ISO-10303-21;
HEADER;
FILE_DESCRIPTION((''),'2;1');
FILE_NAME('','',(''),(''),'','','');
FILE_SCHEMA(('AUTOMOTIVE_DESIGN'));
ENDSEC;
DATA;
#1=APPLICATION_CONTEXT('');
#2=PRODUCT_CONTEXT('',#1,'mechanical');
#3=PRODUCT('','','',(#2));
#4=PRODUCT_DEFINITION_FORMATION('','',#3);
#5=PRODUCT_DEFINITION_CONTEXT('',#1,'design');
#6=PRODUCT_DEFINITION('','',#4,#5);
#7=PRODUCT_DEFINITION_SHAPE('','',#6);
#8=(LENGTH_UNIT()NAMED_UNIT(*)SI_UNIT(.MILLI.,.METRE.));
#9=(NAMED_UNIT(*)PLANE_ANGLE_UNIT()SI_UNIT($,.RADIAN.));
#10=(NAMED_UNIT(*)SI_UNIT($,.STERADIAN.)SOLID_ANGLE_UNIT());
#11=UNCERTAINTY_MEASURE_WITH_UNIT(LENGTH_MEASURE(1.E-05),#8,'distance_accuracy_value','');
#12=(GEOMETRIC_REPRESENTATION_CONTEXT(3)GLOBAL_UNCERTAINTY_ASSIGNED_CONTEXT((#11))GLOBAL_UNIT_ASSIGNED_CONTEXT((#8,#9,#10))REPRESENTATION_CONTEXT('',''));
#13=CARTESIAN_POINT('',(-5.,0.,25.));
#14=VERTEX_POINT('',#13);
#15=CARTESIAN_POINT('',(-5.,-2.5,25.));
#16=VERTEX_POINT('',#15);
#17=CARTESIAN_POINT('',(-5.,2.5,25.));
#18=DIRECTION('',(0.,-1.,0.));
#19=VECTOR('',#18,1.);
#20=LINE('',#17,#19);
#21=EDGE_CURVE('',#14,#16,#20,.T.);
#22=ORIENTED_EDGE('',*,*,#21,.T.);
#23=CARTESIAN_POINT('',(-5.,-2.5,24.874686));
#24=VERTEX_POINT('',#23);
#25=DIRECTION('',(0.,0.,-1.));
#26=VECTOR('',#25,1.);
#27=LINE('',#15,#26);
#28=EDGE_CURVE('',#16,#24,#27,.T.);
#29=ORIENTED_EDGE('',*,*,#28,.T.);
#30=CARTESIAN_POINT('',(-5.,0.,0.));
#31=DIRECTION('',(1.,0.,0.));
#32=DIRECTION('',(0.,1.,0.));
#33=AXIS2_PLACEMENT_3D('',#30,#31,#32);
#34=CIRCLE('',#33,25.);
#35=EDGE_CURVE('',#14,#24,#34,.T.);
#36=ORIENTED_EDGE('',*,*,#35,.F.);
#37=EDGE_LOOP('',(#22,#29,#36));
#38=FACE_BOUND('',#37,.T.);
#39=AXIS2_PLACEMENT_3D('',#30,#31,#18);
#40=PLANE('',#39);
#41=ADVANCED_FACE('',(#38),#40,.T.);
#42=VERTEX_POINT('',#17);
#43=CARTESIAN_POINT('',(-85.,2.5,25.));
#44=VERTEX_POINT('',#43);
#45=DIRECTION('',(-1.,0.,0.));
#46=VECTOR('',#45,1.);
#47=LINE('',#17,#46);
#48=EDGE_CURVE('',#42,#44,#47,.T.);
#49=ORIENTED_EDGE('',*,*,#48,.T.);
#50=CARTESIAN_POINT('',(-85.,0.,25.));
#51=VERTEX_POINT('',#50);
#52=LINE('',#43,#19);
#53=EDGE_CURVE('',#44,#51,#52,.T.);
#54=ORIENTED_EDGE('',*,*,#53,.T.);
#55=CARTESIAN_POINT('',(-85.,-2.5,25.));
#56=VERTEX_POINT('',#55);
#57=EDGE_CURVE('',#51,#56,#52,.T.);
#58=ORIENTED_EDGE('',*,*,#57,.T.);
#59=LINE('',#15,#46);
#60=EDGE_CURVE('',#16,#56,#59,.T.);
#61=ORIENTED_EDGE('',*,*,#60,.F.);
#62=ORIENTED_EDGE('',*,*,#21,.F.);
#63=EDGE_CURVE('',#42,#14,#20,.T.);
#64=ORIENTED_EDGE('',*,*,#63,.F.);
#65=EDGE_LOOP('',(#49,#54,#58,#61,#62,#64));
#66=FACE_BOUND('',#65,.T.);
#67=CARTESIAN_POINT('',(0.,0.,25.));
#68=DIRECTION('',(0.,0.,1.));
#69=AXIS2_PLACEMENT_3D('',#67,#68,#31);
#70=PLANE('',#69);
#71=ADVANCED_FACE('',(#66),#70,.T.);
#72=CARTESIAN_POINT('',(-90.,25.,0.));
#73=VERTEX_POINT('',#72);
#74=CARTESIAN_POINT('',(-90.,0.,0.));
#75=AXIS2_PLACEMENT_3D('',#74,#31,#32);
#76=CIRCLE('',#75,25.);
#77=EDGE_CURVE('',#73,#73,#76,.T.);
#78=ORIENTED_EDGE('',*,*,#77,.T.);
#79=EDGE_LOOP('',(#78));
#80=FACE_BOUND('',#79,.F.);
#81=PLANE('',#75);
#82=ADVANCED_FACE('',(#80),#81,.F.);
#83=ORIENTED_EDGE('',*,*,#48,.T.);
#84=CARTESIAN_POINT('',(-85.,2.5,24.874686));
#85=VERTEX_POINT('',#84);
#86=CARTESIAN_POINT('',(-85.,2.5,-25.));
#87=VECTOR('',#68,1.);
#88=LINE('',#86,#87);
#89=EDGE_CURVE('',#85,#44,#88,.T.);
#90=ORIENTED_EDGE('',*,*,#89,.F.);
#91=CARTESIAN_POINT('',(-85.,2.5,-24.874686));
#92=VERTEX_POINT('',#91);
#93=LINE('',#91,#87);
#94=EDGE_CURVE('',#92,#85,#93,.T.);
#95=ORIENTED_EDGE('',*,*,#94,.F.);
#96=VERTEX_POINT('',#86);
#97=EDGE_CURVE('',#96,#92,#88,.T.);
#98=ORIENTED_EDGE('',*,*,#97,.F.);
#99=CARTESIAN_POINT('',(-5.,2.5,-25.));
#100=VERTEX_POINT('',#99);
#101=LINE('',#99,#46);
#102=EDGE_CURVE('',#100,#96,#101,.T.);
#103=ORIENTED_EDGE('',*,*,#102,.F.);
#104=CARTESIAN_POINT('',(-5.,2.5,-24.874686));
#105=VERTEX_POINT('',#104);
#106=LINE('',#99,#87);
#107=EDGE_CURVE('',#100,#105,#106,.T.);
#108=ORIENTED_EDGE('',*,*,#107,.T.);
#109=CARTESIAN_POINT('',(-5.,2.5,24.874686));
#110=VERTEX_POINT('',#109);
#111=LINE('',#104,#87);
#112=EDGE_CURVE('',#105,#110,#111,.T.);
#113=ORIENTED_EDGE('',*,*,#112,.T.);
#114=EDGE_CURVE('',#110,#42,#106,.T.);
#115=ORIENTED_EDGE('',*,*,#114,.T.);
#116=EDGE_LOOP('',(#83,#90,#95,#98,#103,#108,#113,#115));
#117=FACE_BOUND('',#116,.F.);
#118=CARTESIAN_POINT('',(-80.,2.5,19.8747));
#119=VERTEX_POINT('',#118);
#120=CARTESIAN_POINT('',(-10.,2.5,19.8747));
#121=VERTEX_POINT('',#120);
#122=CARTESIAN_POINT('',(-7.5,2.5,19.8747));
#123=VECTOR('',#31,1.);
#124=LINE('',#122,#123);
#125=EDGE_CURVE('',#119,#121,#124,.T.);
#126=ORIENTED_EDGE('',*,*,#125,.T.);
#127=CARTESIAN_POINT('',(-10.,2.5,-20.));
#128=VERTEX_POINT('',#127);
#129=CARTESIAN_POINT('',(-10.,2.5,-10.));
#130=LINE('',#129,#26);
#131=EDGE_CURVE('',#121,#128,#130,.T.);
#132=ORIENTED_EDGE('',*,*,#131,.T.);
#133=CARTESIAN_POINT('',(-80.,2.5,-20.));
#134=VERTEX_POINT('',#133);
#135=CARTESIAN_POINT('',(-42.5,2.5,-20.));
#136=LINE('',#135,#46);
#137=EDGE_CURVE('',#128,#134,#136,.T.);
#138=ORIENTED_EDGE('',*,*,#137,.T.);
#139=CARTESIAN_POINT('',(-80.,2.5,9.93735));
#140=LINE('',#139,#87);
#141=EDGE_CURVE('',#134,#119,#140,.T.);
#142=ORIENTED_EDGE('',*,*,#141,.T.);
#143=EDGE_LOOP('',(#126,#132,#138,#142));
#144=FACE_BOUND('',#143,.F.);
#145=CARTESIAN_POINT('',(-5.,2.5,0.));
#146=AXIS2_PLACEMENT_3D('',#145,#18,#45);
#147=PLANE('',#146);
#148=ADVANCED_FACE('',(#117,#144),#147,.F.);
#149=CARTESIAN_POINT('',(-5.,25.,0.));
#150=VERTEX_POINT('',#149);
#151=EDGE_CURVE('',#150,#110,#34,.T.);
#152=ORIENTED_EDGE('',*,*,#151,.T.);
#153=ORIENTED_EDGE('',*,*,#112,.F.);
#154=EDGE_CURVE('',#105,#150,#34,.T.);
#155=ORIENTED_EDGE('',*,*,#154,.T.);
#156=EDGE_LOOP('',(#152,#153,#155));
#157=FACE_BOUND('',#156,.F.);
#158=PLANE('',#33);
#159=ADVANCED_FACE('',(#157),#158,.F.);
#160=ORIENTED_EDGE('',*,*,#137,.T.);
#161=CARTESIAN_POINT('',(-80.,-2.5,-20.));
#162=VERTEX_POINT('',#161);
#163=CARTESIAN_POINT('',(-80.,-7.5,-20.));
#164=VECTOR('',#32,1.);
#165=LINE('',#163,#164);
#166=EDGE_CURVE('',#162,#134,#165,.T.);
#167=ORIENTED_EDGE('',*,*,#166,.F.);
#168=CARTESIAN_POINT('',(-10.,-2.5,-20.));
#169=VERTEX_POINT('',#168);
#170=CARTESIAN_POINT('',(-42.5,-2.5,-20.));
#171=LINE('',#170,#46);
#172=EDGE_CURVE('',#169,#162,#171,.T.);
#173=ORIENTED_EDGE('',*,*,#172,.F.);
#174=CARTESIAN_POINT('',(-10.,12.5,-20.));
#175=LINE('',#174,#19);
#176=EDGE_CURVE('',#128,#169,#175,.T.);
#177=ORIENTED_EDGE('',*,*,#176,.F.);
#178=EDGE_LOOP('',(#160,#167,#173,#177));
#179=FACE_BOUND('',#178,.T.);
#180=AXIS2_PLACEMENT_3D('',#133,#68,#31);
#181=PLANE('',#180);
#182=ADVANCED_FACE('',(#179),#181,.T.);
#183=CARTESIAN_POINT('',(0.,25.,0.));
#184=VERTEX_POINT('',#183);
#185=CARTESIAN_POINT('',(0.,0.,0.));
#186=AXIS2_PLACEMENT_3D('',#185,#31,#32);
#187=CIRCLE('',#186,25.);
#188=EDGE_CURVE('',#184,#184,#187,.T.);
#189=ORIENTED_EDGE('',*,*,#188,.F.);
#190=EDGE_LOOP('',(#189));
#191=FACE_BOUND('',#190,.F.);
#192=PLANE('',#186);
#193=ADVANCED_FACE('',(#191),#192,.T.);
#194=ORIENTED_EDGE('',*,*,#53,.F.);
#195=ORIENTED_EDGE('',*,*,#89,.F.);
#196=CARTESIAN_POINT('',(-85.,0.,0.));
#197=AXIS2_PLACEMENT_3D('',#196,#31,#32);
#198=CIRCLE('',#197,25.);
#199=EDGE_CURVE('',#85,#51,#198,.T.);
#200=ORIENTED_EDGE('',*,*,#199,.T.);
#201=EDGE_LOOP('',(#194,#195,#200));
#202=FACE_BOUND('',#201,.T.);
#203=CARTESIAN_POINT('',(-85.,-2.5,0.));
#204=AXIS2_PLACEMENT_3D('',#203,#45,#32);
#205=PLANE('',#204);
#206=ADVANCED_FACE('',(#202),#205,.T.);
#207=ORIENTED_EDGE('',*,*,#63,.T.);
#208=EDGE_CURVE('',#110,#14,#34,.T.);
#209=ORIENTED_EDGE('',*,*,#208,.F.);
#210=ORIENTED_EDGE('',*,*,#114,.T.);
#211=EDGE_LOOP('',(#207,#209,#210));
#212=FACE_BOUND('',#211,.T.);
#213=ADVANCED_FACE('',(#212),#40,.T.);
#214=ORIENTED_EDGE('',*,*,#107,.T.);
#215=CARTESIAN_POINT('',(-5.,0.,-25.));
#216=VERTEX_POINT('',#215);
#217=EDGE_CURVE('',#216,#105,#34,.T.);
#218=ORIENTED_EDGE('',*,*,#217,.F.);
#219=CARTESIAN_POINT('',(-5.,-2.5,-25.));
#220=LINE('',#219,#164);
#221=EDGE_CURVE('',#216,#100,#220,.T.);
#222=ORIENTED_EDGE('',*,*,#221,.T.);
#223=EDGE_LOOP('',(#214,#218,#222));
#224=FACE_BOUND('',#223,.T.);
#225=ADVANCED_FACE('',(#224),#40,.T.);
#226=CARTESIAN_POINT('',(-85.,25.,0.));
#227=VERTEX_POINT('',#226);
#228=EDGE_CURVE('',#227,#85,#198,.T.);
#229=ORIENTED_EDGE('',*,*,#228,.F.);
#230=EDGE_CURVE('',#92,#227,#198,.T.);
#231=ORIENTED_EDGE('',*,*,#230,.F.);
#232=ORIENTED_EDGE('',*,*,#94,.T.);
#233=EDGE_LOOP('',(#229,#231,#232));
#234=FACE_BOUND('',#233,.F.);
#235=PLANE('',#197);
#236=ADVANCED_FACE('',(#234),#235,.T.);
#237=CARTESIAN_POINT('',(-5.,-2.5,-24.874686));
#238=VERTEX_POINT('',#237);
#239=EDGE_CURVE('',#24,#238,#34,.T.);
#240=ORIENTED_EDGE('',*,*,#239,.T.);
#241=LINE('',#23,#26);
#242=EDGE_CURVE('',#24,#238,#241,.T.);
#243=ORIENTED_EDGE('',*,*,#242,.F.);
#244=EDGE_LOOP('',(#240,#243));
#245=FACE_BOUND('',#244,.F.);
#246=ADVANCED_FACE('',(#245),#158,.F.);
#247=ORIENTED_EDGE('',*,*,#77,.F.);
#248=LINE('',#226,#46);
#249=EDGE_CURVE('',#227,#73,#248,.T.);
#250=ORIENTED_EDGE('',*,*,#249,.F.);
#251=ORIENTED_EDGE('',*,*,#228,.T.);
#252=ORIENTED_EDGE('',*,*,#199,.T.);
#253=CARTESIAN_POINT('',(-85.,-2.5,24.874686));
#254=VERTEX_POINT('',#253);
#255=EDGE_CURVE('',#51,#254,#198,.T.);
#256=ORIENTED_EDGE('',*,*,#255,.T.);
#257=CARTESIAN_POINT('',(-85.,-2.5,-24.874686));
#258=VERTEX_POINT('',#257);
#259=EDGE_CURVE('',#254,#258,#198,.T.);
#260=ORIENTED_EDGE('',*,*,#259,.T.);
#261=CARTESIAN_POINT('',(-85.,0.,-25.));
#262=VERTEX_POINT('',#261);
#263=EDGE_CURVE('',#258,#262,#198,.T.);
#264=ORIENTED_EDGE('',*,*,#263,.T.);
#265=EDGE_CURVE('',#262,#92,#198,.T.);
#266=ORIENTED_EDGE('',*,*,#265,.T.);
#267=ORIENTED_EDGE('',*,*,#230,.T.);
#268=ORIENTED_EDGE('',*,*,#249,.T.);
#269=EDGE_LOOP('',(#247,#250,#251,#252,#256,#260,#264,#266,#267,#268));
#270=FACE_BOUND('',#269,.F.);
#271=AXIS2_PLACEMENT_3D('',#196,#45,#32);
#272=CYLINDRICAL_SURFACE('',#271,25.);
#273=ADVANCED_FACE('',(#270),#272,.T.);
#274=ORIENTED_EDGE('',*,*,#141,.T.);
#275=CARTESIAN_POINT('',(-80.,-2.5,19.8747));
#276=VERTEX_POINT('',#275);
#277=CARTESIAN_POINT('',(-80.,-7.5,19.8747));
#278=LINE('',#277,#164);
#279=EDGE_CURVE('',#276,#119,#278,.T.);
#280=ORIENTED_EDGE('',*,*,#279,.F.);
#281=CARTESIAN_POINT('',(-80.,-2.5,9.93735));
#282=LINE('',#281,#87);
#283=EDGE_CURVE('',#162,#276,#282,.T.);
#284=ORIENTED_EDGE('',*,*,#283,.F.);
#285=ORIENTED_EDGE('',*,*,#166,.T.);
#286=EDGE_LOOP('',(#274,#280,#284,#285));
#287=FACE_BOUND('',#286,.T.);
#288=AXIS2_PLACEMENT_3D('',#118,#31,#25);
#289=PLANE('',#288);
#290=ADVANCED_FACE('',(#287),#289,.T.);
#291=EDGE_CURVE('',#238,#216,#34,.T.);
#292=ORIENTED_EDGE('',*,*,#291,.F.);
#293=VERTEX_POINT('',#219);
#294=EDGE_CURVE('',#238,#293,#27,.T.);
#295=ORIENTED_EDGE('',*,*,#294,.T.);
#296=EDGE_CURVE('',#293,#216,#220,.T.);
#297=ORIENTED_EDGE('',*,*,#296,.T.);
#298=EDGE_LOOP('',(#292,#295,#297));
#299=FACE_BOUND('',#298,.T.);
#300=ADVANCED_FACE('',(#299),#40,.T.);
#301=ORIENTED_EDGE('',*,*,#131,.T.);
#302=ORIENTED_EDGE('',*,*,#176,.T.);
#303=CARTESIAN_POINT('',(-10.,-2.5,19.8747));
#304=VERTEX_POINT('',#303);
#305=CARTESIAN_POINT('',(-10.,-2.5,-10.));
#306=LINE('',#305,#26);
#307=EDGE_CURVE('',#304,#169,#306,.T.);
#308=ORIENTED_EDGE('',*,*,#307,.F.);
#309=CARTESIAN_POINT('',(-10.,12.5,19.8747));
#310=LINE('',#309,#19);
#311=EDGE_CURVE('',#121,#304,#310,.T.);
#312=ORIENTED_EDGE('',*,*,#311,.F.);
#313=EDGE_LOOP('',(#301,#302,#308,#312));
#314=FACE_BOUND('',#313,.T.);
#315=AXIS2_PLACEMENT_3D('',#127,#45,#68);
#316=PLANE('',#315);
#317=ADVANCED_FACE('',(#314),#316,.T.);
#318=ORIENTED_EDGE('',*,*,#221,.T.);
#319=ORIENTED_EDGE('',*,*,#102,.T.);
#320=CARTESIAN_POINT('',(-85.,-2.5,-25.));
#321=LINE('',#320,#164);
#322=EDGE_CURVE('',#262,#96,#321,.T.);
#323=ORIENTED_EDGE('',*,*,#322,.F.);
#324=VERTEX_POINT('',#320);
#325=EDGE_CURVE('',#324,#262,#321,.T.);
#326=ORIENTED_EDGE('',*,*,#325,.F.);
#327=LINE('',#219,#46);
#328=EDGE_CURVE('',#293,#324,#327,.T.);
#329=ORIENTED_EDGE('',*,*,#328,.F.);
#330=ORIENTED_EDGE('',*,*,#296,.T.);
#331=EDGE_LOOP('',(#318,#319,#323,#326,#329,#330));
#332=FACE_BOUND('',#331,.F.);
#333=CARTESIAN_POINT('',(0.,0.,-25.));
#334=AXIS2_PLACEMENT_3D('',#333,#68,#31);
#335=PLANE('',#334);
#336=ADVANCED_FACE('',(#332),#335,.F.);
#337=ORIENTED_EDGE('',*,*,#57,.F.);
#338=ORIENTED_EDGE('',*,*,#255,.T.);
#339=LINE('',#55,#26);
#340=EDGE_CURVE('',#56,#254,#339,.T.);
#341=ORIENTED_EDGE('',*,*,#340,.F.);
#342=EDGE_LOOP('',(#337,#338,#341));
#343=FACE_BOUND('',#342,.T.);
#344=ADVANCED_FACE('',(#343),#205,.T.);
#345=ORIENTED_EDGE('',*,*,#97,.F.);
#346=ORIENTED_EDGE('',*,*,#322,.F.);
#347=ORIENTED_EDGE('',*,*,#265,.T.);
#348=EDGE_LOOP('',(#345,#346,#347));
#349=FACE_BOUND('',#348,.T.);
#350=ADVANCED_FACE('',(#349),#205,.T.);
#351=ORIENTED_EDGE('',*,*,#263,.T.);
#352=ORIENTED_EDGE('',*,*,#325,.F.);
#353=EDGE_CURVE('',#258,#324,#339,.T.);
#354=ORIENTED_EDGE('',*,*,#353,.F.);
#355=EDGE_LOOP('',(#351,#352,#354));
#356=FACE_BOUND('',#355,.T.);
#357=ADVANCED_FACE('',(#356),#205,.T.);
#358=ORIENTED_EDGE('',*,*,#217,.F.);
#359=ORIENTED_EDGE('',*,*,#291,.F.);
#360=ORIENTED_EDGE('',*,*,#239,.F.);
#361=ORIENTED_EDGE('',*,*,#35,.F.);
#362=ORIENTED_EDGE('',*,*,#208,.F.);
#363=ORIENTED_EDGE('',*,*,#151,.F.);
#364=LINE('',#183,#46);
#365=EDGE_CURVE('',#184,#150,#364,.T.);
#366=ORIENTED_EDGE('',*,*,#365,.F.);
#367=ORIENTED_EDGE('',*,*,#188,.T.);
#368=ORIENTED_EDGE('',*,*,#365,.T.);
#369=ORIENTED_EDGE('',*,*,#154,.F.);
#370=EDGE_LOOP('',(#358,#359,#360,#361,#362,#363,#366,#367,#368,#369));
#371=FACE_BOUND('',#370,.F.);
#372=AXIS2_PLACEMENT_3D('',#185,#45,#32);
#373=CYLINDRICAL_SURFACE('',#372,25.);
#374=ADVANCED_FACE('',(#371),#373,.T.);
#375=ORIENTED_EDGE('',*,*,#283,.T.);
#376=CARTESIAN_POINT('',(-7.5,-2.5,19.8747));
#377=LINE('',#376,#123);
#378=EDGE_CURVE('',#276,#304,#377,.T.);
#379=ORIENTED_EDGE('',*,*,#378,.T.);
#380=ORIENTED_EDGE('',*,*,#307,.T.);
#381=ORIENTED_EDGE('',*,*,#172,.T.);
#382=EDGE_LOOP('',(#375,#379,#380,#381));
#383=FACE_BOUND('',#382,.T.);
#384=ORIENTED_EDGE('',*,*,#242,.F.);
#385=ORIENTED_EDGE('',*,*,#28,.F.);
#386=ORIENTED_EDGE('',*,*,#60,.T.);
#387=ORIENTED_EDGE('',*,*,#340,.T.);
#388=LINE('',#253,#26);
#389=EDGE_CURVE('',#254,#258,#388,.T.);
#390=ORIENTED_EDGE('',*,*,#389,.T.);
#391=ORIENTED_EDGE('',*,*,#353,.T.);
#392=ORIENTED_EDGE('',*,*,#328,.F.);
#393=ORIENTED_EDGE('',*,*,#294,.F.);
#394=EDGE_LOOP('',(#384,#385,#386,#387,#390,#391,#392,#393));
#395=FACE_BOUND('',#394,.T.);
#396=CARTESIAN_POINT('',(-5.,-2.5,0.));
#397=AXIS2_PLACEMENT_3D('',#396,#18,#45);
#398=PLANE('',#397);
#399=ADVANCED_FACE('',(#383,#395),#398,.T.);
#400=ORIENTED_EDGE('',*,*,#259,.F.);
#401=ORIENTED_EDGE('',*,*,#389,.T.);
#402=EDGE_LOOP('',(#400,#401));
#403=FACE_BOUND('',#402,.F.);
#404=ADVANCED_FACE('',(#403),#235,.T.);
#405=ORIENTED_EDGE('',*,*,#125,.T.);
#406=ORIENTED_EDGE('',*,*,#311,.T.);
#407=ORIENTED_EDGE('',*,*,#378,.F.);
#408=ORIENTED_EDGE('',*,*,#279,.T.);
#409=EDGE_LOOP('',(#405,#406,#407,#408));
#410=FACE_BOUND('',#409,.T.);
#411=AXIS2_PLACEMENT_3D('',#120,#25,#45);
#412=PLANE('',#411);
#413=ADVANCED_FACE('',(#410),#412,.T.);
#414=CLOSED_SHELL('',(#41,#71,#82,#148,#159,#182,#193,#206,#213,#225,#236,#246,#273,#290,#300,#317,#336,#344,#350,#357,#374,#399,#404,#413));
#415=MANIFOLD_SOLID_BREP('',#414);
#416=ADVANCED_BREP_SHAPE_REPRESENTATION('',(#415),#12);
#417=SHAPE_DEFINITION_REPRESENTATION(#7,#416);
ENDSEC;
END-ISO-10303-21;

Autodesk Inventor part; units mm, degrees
ref_plane "YZ Plane" through (0, 0, 0) normal (1, 0, 0) x (0, 1, 0)
ref_plane "XZ Plane" through (0, 0, 0) normal (0, 1, 0) x (-1, 0, 0)
ref_plane "XY Plane" through (0, 0, 0) normal (0, 0, 1) x (1, 0, 0)
sketch "Sketch1" plane through (0, 0, 0) normal (0, 1, 0) x (-1, 0, 0)
  point P0 (0, 0)
sketch "Sketch2" plane through (0, 0, 0) normal (0, 0, 1) x (1, 0, 0)
  line L0 (0, 0) -> (0, 25)
  line L1 (0, 25) -> (-5, 25)
  line L2 (-5, 25) -> (-5, 2.5)
  line L3 (-5, 2.5) -> (-85, 2.5)
  line L4 (-85, 2.5) -> (-85, 25)
  line L5 (-85, 25) -> (-90, 25)
  line L6 (-90, 25) -> (-90, 0)
  line L7 (-90, 0) -> (0, 0)
  line L8 (-85, 2.5) -> (-5, 2.5)
  line L9 (-5, 2.5) -> (-5, -2.5)
  line L10 (-5, -2.5) -> (-85, -2.5)
  line L11 (-85, -2.5) -> (-85, 2.5)
  dimension "d0" = 25
  dimension "d1" = 5
  dimension "d2" = 22.5
  dimension "d3" = 80
  dimension "d4" = 5
  dimension "d6" = 5
revolve "Revolution1" add sketch "Sketch2" angle 360 about axis through (-90, 0, 0) along (1, 0, 0) contours L7 L9 L2 L1 L0 | L7 L11 L3 L9 | L7 L6 L5 L4 L11
extrude "Extrusion1" add sketch "Sketch2" along normal mid plane 50 contours L9 L10 L11 L7 | L7 L11 L3 L9
sketch "Sketch3" plane through (-85, 2.5, -25) normal (0, 1, 0) x (1, 0, 0)
  line L0 (80, 0) -> (0, 0) projected
  line L1 (80, -49.8747) -> (80, -0.1253) projected
  line L2 (0, 0) -> (80, 0)
  line L3 (80, 0) -> (80, -49.8747)
  line L4 (80, -49.8747) -> (0, -49.8747)
  line L5 (0, -49.8747) -> (0, 0)
  line L6 (5, -5) -> (75, -5)
  line L7 (75, -5) -> (75, -44.8747)
  line L8 (75, -44.8747) -> (5, -44.8747)
  line L9 (5, -44.8747) -> (5, -5)
  point P0 (85, -25)
  dimension "d9" = 5
extrude "Extrusion2" cut sketch "Sketch3" against normal mid plane 20 contours L6 L7 L8 L9
properties part number "electronicsbay" material "ABS Plastic"
